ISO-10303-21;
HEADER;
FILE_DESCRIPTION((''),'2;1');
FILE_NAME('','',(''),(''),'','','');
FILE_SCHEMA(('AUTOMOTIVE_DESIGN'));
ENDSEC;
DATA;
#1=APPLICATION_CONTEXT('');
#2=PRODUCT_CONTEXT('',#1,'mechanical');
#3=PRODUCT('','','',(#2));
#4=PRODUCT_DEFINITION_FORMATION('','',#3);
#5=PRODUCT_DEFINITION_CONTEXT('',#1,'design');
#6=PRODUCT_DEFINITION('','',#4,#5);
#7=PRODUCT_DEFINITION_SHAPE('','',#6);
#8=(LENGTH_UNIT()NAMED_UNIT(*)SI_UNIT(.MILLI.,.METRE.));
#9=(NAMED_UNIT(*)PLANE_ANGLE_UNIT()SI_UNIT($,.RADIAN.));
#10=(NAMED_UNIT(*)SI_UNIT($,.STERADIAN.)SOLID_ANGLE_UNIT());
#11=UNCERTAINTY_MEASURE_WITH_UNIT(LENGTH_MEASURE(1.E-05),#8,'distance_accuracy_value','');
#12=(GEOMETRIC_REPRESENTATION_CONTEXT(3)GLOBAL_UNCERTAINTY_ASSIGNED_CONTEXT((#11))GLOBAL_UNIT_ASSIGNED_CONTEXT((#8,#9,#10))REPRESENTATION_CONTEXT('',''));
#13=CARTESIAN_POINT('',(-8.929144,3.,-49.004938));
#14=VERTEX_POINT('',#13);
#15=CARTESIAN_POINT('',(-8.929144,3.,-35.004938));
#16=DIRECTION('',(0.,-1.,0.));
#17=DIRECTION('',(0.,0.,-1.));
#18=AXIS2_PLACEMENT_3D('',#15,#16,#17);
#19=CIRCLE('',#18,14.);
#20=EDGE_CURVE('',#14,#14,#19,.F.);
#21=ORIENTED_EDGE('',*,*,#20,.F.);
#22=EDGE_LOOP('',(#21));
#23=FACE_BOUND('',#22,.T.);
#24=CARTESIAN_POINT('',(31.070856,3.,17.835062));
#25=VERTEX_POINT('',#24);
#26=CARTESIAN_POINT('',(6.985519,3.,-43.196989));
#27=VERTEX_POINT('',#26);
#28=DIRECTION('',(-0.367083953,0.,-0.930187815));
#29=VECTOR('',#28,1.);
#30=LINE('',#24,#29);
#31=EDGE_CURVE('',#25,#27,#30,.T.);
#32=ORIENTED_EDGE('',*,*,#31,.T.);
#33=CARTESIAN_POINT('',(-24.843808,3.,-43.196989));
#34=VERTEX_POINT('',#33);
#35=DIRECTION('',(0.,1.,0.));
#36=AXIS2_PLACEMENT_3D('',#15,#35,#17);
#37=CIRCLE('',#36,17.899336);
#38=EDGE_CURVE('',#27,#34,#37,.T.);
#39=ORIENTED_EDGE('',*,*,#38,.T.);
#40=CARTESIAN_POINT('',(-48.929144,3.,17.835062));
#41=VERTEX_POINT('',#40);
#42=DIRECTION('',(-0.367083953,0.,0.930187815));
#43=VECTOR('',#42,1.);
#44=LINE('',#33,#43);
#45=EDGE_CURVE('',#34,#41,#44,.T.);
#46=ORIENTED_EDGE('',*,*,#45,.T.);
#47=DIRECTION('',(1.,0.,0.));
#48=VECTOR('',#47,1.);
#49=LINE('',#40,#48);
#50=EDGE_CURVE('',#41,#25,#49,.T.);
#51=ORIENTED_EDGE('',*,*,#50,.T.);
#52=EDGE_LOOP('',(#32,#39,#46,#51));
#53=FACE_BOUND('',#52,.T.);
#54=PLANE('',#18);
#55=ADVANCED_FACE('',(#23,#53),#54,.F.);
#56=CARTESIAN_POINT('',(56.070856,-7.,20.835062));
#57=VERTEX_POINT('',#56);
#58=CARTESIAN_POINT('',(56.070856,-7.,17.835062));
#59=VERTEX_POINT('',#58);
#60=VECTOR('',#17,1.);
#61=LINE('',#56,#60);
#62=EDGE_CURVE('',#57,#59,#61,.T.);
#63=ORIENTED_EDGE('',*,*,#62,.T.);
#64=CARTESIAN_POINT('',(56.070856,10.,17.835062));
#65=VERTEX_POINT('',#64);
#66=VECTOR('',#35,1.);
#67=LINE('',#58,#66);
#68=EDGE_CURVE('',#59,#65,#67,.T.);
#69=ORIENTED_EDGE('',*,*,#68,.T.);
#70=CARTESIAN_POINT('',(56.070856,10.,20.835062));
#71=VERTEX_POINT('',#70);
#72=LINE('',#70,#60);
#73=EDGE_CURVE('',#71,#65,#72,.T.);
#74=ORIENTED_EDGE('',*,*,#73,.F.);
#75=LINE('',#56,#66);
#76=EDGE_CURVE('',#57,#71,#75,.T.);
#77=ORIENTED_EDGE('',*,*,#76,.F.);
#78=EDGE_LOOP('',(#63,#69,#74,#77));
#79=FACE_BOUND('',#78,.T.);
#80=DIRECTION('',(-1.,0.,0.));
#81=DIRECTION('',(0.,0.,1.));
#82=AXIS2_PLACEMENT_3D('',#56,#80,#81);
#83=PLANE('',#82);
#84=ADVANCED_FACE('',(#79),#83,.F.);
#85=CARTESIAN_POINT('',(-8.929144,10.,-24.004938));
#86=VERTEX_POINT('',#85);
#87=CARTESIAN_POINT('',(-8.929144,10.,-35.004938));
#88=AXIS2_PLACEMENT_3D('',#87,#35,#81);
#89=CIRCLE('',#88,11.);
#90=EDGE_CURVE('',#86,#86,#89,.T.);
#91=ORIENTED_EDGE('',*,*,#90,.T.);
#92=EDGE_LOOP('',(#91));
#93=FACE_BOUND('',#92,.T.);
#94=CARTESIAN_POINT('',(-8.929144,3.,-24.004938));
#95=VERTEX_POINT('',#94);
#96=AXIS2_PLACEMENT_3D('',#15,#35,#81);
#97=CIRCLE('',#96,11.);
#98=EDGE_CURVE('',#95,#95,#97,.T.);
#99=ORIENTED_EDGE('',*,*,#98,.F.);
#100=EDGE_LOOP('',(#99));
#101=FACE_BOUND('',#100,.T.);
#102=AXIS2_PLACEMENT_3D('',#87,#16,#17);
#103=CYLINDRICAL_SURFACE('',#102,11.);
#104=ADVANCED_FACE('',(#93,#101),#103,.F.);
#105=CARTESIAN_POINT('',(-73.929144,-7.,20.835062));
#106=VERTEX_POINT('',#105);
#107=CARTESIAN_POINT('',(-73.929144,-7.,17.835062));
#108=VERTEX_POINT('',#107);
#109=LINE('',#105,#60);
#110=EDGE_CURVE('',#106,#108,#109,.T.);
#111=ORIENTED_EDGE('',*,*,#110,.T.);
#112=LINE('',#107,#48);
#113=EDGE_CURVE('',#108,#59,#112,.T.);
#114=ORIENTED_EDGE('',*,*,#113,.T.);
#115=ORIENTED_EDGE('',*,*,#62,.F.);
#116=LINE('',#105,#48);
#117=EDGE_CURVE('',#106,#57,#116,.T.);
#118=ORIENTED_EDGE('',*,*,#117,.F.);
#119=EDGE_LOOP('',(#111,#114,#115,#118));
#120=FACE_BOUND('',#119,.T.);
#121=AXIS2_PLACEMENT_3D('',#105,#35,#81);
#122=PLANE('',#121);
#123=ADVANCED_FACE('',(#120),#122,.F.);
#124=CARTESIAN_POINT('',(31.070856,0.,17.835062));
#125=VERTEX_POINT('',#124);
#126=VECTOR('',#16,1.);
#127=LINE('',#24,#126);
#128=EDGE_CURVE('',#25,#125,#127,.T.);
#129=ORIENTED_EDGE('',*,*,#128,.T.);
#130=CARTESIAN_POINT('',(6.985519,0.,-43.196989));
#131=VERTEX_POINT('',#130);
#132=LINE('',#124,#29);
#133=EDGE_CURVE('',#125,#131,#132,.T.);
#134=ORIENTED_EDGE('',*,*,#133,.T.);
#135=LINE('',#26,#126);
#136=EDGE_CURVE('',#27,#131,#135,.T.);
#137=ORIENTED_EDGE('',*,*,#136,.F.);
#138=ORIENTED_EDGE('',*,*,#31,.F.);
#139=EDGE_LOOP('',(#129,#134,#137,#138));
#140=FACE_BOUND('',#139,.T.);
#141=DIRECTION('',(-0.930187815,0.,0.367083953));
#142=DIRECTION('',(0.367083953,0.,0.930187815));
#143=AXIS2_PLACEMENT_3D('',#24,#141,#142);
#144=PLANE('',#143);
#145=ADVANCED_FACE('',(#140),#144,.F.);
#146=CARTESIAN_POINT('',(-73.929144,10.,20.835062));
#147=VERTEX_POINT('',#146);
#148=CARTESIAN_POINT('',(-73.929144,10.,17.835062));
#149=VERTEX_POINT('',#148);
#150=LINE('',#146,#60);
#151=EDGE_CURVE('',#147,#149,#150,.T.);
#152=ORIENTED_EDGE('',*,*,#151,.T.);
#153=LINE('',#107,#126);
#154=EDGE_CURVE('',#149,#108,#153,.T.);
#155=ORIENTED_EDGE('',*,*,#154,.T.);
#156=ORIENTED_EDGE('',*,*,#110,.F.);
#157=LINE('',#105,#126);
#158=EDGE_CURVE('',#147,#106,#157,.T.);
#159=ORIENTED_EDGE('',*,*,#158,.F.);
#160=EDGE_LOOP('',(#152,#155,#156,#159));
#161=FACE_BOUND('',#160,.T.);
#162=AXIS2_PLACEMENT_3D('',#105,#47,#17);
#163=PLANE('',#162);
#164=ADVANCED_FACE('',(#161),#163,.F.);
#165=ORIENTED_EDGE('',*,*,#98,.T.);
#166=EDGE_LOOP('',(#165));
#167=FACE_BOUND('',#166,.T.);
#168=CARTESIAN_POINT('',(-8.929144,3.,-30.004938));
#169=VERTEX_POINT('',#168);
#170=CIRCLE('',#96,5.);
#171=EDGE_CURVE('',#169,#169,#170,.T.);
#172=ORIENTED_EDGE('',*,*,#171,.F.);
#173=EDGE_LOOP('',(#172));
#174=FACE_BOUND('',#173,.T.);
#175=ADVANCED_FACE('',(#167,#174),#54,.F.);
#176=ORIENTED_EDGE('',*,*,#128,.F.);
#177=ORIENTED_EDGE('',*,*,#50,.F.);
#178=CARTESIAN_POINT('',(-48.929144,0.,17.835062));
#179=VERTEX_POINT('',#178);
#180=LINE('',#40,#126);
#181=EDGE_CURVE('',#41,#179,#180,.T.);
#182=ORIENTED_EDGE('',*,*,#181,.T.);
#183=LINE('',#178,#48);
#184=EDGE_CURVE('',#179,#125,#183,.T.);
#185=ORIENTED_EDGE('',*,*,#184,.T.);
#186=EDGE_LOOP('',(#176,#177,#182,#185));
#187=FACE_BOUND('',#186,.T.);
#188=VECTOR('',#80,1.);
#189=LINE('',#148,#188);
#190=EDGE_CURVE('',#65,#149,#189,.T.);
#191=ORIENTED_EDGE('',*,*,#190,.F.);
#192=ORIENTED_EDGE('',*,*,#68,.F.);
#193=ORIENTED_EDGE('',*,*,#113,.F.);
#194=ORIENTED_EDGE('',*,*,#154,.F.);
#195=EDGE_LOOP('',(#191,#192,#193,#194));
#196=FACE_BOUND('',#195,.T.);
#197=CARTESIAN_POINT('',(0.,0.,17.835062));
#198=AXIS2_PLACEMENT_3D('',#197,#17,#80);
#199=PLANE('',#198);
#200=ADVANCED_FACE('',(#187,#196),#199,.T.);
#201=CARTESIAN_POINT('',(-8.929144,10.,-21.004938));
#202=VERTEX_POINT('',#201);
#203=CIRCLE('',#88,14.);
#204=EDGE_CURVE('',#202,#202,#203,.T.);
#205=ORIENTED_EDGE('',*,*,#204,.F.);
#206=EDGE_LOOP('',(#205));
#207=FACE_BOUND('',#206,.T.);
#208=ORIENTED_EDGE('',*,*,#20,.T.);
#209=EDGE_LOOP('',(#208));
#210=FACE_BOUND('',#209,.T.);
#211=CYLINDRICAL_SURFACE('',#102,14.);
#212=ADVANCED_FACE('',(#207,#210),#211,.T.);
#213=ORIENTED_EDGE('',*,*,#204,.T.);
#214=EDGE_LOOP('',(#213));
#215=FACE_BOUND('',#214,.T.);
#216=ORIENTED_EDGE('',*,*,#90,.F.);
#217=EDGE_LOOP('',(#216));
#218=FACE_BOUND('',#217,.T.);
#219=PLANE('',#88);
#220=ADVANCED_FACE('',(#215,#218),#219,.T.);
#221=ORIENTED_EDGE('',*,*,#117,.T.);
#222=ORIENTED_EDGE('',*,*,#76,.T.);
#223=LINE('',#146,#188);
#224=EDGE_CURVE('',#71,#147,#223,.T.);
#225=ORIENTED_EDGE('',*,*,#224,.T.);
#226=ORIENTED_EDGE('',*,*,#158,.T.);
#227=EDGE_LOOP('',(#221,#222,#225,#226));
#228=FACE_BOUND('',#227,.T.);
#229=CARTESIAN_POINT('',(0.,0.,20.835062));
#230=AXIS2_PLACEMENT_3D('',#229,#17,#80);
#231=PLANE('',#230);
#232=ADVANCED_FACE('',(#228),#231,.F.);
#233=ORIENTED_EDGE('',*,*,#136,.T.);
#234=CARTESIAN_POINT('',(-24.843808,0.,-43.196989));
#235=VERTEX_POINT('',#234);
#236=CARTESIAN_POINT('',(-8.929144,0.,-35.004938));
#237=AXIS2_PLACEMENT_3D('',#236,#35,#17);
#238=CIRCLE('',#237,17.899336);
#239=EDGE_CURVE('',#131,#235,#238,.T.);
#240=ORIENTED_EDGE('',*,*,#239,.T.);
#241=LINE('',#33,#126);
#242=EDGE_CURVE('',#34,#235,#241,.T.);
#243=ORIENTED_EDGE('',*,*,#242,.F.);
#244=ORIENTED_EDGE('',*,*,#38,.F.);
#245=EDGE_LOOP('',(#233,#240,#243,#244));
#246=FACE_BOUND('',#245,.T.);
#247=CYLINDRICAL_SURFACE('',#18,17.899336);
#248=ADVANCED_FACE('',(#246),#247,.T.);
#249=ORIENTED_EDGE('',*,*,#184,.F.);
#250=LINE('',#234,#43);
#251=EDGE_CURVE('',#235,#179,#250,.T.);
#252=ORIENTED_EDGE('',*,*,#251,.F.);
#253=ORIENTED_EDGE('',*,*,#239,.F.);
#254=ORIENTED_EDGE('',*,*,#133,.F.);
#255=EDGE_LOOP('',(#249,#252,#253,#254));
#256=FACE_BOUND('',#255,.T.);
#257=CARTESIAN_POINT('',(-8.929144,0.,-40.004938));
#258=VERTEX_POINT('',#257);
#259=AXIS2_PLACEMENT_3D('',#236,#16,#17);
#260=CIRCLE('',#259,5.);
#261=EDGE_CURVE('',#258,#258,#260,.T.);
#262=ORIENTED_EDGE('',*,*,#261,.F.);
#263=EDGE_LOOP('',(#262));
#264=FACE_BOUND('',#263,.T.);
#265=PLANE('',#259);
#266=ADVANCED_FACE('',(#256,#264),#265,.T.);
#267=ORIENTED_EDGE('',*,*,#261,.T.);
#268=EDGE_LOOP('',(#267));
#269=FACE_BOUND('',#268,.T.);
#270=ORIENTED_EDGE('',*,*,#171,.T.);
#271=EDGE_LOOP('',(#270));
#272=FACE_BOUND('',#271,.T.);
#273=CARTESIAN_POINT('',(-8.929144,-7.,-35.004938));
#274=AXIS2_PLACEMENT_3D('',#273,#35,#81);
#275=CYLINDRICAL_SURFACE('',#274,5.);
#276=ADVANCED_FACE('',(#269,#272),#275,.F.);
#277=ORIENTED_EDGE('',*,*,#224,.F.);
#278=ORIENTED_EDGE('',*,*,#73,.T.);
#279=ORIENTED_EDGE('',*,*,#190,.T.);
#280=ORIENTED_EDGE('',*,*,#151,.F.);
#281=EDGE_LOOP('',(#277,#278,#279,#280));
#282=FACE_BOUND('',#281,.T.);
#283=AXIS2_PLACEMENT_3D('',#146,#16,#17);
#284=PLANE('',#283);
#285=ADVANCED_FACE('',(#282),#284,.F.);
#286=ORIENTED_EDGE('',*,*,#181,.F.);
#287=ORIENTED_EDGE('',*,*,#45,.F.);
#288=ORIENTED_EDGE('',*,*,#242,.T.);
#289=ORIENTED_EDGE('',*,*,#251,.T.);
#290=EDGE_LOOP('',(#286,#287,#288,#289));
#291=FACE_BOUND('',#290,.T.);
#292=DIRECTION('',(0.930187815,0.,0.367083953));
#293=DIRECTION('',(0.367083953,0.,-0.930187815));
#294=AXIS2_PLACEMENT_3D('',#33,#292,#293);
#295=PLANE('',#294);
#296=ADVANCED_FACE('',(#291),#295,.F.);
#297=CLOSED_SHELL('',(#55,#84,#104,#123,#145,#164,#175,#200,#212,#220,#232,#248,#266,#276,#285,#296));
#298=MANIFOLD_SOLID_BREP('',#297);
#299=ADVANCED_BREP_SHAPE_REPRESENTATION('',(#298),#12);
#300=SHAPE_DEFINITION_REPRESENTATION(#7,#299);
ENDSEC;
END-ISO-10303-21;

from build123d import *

# Parameters (mm, degrees)
BOSS_EXTRUDE1_DEPTH = 3
SKETCH2_R           = 14
SKETCH2_R_2         = 11
BOSS_EXTRUDE2_DEPTH = 7
SKETCH3_W           = 130
SKETCH3_H           = 17
BOSS_EXTRUDE3_DEPTH = 3
SKETCH5_R           = 5
CUT_EXTRUDE1_DEPTH  = 10


with BuildPart() as part:
    # Sketch1 → Boss-Extrude1 (new body)
    with BuildSketch(Plane(origin=(0, 0, 0), x_dir=(1, 0, 0), z_dir=(0, 1, 0))):
        with BuildLine():
            Line((-48.929144451, -17.835062273), (31.070855549, -17.835062273))
            Line((31.070855549, -17.835062273), (6.985518971, 43.196988966))
            ThreePointArc((6.985518971, 43.196988966), (-8.929144451, 52.904273338), (-24.843807874, 43.196988966))
            Line((-24.843807874, 43.196988966), (-48.929144451, -17.835062273))
        make_face()
    extrude(amount=BOSS_EXTRUDE1_DEPTH)

    # Sketch2 → Boss-Extrude2 (add)
    with BuildSketch(Plane(origin=(0, 3, 0), x_dir=(1, 0, 0), z_dir=(0, 1, 0))):
        with Locations((-8.929144451, 35.004937727)):
            Circle(SKETCH2_R)
        with Locations((-8.929144451, 35.004937727)):
            Circle(SKETCH2_R_2, mode=Mode.SUBTRACT)
    extrude(amount=BOSS_EXTRUDE2_DEPTH)

    # Sketch3 → Boss-Extrude3 (add)
    with BuildSketch(Plane.XY.offset(17.835062273)):
        with Locations((-8.929144451, 1.5)):
            Rectangle(SKETCH3_W, SKETCH3_H)
    extrude(amount=BOSS_EXTRUDE3_DEPTH)

    # Sketch5 → Cut-Extrude1 (cut)
    with BuildSketch(Plane(origin=(0, 3, 0), x_dir=(1, 0, 0), z_dir=(0, 1, 0))):
        with Locations((-8.929144451, 35.004937727)):
            Circle(SKETCH5_R)
    extrude(amount=-CUT_EXTRUDE1_DEPTH, mode=Mode.SUBTRACT)


solid = part.part
